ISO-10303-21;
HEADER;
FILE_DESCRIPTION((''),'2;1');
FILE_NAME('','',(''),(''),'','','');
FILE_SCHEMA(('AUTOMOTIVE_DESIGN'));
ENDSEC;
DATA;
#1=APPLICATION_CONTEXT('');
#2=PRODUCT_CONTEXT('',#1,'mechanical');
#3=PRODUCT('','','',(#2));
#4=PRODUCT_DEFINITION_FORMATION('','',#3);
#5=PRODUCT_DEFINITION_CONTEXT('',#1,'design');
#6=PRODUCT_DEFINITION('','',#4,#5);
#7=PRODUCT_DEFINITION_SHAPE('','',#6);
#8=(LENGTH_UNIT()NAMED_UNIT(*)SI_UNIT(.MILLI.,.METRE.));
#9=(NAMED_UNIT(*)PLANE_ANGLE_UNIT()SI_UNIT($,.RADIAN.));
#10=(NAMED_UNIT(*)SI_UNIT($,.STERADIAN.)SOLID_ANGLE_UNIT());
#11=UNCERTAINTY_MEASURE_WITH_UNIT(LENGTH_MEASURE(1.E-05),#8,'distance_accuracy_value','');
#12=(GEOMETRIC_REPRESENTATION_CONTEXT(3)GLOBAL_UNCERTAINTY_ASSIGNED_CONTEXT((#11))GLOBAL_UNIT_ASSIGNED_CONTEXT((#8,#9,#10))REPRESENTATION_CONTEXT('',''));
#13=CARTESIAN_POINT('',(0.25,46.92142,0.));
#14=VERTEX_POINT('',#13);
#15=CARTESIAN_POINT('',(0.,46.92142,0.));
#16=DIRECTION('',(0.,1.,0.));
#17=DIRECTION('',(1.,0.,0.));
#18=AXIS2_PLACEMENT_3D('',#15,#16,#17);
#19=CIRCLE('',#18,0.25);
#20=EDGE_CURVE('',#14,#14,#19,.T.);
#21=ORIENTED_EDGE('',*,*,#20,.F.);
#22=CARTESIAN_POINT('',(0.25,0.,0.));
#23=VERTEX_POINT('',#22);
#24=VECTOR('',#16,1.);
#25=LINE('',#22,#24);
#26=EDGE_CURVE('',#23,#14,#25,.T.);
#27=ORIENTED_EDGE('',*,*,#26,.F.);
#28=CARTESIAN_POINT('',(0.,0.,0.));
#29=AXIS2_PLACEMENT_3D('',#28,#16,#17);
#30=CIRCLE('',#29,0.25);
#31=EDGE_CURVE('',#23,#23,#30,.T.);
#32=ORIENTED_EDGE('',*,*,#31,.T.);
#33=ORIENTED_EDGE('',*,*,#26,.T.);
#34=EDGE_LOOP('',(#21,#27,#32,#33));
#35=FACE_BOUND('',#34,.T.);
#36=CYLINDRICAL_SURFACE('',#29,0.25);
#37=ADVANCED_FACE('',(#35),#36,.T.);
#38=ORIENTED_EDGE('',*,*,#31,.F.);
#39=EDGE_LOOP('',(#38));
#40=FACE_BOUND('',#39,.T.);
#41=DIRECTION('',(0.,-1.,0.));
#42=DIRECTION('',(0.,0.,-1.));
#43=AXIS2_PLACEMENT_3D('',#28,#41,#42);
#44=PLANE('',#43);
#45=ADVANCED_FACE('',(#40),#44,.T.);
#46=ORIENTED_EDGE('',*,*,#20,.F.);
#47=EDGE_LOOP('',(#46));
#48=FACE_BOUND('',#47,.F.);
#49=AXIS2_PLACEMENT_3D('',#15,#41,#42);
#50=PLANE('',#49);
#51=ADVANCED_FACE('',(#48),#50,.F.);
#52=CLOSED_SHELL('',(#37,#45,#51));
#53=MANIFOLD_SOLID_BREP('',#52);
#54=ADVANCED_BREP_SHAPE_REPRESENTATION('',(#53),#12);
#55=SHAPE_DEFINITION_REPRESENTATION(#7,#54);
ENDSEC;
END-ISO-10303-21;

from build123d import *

# Parameters (mm, degrees)
F0_R = 0.25


with BuildPart() as f2:
    # F2: sweep along a path in F1
    with BuildLine(Plane.XY) as f2_path:
        Line((0, 0), (0, 46.92142))
    # F0 (on Front) → F2 (sweep)
    with BuildSketch(Plane.XZ):
        Circle(F0_R)
    sweep(path=f2_path.line)


solid = f2.part
